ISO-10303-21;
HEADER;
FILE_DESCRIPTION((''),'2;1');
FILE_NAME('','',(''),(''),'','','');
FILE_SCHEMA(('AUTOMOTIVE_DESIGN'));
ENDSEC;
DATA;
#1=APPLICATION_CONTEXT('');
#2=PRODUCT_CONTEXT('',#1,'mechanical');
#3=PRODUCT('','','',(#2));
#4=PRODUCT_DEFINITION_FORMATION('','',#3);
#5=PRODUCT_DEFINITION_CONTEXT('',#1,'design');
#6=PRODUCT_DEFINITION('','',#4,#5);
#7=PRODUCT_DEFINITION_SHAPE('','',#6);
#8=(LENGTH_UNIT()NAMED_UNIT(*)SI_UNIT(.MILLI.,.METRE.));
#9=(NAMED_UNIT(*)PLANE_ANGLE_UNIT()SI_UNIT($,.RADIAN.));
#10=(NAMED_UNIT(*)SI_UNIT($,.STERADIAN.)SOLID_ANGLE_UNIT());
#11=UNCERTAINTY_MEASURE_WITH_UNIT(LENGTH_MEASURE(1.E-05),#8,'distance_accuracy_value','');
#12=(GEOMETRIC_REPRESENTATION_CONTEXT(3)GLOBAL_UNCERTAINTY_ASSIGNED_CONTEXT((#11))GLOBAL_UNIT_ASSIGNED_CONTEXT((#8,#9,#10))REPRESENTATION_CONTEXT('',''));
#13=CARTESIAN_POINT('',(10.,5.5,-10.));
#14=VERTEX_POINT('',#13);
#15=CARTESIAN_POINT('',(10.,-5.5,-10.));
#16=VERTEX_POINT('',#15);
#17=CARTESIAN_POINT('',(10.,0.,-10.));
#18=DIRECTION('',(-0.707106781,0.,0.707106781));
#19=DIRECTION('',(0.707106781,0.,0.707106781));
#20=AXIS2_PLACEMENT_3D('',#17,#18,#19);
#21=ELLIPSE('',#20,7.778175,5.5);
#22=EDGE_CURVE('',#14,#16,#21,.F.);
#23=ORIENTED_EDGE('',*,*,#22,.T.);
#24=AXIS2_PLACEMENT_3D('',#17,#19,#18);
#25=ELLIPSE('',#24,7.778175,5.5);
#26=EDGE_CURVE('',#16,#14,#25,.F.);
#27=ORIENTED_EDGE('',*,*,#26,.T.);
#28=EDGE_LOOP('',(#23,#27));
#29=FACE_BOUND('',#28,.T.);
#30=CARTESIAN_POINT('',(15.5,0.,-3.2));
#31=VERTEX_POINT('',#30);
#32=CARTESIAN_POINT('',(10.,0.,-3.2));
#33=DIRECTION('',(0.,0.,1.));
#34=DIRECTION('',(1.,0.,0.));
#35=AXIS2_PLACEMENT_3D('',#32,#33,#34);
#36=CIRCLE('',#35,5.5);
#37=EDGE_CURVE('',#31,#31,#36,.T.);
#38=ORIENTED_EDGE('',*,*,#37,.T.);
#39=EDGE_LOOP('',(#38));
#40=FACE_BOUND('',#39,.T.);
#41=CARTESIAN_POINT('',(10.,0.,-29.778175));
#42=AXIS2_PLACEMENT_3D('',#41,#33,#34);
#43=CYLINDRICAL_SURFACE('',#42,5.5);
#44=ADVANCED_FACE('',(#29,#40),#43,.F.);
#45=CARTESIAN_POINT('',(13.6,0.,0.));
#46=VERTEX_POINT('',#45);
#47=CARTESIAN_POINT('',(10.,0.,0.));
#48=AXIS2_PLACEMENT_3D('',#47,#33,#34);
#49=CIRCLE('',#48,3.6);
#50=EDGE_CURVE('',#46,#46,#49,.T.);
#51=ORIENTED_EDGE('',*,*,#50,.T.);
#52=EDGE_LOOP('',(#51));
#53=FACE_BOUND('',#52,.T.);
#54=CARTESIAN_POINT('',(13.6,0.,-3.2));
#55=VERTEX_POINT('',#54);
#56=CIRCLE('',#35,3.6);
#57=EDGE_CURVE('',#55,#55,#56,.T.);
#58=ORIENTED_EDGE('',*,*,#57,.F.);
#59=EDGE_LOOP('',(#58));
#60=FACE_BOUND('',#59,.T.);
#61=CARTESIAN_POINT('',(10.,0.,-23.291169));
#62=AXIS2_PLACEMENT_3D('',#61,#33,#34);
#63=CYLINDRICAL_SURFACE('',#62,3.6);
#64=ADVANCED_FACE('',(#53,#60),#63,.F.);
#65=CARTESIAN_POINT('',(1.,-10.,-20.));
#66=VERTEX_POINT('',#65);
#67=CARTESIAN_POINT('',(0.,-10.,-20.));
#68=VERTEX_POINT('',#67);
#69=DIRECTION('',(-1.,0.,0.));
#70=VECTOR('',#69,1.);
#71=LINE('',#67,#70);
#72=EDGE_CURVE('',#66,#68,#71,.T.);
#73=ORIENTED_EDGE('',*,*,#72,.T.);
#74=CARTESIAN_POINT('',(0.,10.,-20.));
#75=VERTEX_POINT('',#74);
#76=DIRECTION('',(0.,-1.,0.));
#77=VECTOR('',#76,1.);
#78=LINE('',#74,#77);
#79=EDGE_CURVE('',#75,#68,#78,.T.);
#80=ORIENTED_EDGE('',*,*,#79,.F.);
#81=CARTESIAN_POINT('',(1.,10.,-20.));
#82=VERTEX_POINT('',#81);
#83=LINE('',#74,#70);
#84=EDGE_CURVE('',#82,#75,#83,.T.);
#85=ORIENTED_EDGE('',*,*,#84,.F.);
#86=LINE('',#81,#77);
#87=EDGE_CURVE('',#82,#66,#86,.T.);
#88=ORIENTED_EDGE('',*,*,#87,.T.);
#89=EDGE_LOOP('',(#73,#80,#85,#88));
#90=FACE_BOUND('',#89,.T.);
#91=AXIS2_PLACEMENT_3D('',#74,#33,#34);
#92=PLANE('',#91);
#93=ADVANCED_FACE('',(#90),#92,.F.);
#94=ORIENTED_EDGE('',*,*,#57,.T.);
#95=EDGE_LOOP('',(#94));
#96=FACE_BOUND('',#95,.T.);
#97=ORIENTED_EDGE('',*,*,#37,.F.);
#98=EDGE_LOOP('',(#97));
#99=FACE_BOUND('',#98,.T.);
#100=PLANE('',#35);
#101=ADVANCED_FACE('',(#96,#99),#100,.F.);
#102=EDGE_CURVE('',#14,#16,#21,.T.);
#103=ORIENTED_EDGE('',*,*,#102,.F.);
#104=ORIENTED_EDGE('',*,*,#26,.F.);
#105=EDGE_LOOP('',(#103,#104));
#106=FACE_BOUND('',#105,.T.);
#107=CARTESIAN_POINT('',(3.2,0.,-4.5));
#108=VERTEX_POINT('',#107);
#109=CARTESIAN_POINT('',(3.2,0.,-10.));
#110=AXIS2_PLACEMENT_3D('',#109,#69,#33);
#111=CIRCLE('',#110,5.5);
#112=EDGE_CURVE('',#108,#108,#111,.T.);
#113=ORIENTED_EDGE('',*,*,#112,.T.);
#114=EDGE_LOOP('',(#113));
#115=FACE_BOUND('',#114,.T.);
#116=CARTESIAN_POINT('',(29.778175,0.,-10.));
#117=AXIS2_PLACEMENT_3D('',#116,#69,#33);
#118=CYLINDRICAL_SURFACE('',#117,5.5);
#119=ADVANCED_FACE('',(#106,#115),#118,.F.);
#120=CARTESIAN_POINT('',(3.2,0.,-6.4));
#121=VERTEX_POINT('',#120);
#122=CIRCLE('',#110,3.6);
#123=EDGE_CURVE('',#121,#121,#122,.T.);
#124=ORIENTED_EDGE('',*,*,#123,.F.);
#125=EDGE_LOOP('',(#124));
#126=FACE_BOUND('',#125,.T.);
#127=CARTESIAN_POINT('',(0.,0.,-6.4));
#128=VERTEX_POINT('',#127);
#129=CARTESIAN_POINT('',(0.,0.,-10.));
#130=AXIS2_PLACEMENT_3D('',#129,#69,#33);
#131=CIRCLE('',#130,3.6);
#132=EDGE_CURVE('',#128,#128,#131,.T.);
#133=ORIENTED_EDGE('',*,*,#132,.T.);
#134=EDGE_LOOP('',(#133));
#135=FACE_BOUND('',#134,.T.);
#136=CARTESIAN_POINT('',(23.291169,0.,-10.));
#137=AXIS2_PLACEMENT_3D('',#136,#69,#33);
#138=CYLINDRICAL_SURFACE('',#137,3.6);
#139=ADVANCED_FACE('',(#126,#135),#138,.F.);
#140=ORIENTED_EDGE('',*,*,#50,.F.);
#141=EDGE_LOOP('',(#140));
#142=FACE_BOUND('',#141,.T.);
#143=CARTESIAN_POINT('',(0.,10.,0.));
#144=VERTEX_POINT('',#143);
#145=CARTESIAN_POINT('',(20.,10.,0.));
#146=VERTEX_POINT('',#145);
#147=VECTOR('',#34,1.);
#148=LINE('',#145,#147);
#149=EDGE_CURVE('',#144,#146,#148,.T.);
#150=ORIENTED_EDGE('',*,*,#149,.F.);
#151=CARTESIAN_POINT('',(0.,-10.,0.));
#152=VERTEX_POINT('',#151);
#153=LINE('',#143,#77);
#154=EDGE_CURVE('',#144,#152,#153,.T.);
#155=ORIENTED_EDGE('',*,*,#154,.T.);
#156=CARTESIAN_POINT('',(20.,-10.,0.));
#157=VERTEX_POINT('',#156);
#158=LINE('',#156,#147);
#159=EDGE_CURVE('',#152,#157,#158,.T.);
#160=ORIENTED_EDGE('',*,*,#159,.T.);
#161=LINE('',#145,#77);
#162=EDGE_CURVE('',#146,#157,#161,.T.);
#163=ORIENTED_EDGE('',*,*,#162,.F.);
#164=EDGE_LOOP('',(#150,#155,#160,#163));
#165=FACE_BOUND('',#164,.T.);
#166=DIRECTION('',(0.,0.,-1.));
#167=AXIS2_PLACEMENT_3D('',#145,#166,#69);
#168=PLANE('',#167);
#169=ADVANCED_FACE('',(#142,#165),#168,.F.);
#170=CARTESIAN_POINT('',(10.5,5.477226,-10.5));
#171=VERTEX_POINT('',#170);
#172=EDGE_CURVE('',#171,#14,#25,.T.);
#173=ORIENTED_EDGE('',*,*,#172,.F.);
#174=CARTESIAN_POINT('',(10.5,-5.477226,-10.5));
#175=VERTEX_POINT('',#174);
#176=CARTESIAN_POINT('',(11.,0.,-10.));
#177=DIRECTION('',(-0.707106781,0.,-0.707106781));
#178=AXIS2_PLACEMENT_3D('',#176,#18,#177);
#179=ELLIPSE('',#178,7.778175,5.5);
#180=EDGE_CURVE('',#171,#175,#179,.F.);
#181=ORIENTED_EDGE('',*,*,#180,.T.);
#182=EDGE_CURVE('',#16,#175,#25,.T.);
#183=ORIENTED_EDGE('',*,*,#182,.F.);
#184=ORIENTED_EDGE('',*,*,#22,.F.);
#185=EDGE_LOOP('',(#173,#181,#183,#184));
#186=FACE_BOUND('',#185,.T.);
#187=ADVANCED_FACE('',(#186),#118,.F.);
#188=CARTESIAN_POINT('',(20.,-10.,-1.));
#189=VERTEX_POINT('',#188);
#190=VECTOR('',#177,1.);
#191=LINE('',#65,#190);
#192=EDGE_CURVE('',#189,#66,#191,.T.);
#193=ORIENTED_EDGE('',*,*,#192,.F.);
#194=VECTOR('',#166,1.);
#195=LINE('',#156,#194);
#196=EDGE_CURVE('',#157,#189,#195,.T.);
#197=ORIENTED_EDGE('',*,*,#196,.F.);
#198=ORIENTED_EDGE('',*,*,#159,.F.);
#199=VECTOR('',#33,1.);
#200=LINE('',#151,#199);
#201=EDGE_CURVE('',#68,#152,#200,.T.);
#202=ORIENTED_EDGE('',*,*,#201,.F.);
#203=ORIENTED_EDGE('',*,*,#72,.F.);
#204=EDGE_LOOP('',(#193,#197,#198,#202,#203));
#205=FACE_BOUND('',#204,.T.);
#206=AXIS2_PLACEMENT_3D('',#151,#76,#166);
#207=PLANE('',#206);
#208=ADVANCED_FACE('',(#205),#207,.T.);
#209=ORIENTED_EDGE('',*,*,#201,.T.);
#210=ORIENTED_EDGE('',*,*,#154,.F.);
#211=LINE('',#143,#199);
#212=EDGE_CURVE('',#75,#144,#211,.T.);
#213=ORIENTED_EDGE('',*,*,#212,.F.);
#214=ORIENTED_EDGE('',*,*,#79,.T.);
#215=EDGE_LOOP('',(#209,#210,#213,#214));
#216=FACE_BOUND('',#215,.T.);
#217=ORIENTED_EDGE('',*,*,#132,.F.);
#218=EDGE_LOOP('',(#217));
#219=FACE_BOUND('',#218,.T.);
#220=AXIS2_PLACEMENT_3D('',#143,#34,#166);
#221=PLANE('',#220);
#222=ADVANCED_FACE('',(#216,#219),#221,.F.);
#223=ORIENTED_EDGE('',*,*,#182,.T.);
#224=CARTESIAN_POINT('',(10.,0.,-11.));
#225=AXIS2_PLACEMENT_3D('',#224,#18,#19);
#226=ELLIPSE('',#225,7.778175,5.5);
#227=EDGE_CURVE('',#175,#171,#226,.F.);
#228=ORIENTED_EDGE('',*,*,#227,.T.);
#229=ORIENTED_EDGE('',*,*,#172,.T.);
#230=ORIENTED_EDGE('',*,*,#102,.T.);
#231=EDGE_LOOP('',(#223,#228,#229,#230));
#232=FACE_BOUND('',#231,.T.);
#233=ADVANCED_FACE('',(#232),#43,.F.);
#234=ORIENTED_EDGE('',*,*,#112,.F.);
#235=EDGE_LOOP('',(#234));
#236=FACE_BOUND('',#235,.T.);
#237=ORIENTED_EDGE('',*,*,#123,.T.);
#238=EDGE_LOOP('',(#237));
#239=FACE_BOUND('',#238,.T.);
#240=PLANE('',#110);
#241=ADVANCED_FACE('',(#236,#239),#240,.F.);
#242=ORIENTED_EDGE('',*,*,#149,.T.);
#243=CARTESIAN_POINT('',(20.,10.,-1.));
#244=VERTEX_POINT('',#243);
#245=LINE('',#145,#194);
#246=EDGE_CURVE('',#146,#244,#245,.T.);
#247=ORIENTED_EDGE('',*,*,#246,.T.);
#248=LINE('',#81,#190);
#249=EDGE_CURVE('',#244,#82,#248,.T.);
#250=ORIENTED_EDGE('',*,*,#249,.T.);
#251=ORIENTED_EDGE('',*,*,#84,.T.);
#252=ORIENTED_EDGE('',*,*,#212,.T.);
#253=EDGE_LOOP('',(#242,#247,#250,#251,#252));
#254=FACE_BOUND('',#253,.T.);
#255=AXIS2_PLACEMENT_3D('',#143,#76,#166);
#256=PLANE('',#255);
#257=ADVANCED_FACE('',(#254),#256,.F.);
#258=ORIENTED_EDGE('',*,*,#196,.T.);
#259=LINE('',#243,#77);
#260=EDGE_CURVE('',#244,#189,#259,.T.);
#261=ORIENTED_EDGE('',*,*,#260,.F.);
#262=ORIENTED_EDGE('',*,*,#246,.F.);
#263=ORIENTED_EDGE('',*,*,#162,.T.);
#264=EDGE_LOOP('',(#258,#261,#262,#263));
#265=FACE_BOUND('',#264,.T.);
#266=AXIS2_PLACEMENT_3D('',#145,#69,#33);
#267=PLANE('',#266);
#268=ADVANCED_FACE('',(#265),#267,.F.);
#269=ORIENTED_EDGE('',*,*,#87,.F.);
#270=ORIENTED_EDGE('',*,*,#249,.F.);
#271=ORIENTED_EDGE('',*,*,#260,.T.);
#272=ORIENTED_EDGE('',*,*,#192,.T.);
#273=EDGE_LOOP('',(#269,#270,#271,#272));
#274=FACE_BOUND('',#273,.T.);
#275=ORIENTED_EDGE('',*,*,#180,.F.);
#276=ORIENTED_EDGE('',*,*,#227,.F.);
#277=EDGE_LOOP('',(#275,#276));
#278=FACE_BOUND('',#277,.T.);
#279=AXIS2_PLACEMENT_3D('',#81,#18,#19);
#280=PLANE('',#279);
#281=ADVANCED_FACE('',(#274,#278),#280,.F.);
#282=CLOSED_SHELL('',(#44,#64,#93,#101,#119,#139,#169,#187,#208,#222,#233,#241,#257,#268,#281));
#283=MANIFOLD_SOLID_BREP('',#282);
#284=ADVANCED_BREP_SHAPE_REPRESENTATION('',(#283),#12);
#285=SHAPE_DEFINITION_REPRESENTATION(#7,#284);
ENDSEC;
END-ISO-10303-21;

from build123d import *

# Parameters (mm, degrees)
BOSS_EXTRUDE1_DEPTH = 10
CUT_EXTRUDE1_REACH  = 32
SKETCH3_R           = 3.6
CUT_EXTRUDE3_REACH  = 39.344
CUT_EXTRUDE3_START  = -3.2
SKETCH3_4_R         = 5.5
SKETCH3_4_R_2       = 3.6
CUT_EXTRUDE2_REACH  = 32
SKETCH4_R           = 3.6
CUT_EXTRUDE4_REACH  = 35.2
CUT_EXTRUDE4_START  = -3.2
SKETCH4_3_R         = 5.5
SKETCH4_3_R_2       = 3.6


with BuildPart() as part:
    # Sketch2 → Boss-Extrude1 (new, symmetric)
    with BuildSketch(Plane(origin=(0, 0, 0), x_dir=(1, 0, 0), z_dir=(0, 1, 0))):
        Polygon((0, 0), (0, 20), (1, 20), (20, 1), (20, 0), align=None)
    extrude(amount=BOSS_EXTRUDE1_DEPTH, both=True)

    # Cut-Extrude1: up to this plane
    cut_extrude1_end = Plane(origin=(1, 10, -20), z_dir=(-0.7071067811865476, 0, 0.7071067811865476))
    # Sketch3 → Cut-Extrude1 (cut, up to the surface)
    with BuildSketch(Plane.XY, mode=Mode.PRIVATE) as cut_extrude1_sk1:
        with Locations((10, 0)):
            Circle(SKETCH3_R)
    cut_extrude1_tool1 = split(extrude(cut_extrude1_sk1.sketch, amount=-CUT_EXTRUDE1_REACH, mode=Mode.PRIVATE), bisect_by=cut_extrude1_end, keep=Keep.BOTH, mode=Mode.PRIVATE)
    add(cut_extrude1_tool1.solids().sort_by_distance((10, 0, 0))[0], mode=Mode.SUBTRACT)

    # Cut-Extrude3: up to this plane
    cut_extrude3_end = Plane(origin=(1, 10, -20), z_dir=(-0.7071067811865476, 0, 0.7071067811865476))
    # Sketch3<4> → Cut-Extrude3 (cut, up to the surface)
    with BuildSketch(Plane.XY.offset(CUT_EXTRUDE3_START), mode=Mode.PRIVATE) as cut_extrude3_sk1:
        with Locations((10, 0)):
            Circle(SKETCH3_4_R)
        with Locations((10, 0)):
            Circle(SKETCH3_4_R_2, mode=Mode.SUBTRACT)
    cut_extrude3_tool1 = split(extrude(cut_extrude3_sk1.sketch, amount=-CUT_EXTRUDE3_REACH, mode=Mode.PRIVATE), bisect_by=cut_extrude3_end, keep=Keep.BOTH, mode=Mode.PRIVATE)
    add(cut_extrude3_tool1.solids().sort_by_distance((4.655563, 0, -3.2))[0], mode=Mode.SUBTRACT)

    # Cut-Extrude2: up to this plane
    cut_extrude2_end = Plane(origin=(1, 10, -20), z_dir=(-0.7071067811865476, 0, 0.7071067811865476))
    # Sketch4 → Cut-Extrude2 (cut, up to the surface)
    with BuildSketch(Plane.ZY, mode=Mode.PRIVATE) as cut_extrude2_sk1:
        with Locations((-10, 0)):
            Circle(SKETCH4_R)
    cut_extrude2_tool1 = split(extrude(cut_extrude2_sk1.sketch, amount=-CUT_EXTRUDE2_REACH, mode=Mode.PRIVATE), bisect_by=cut_extrude2_end, keep=Keep.BOTH, mode=Mode.PRIVATE)
    add(cut_extrude2_tool1.solids().sort_by_distance((0, 0, -10))[0], mode=Mode.SUBTRACT)

    # Cut-Extrude4: up to this plane
    cut_extrude4_end = Plane(origin=(1, 10, -20), z_dir=(-0.7071067811865476, 0, 0.7071067811865476))
    # Sketch4<3> → Cut-Extrude4 (cut, up to the surface)
    with BuildSketch(Plane.ZY.offset(CUT_EXTRUDE4_START), mode=Mode.PRIVATE) as cut_extrude4_sk1:
        with Locations((-10, 0)):
            Circle(SKETCH4_3_R)
        with Locations((-10, 0)):
            Circle(SKETCH4_3_R_2, mode=Mode.SUBTRACT)
    cut_extrude4_tool1 = split(extrude(cut_extrude4_sk1.sketch, amount=-CUT_EXTRUDE4_REACH, mode=Mode.PRIVATE), bisect_by=cut_extrude4_end, keep=Keep.BOTH, mode=Mode.PRIVATE)
    add(cut_extrude4_tool1.solids().sort_by_distance((3.2, 0, -15.344437))[0], mode=Mode.SUBTRACT)


solid = part.part
